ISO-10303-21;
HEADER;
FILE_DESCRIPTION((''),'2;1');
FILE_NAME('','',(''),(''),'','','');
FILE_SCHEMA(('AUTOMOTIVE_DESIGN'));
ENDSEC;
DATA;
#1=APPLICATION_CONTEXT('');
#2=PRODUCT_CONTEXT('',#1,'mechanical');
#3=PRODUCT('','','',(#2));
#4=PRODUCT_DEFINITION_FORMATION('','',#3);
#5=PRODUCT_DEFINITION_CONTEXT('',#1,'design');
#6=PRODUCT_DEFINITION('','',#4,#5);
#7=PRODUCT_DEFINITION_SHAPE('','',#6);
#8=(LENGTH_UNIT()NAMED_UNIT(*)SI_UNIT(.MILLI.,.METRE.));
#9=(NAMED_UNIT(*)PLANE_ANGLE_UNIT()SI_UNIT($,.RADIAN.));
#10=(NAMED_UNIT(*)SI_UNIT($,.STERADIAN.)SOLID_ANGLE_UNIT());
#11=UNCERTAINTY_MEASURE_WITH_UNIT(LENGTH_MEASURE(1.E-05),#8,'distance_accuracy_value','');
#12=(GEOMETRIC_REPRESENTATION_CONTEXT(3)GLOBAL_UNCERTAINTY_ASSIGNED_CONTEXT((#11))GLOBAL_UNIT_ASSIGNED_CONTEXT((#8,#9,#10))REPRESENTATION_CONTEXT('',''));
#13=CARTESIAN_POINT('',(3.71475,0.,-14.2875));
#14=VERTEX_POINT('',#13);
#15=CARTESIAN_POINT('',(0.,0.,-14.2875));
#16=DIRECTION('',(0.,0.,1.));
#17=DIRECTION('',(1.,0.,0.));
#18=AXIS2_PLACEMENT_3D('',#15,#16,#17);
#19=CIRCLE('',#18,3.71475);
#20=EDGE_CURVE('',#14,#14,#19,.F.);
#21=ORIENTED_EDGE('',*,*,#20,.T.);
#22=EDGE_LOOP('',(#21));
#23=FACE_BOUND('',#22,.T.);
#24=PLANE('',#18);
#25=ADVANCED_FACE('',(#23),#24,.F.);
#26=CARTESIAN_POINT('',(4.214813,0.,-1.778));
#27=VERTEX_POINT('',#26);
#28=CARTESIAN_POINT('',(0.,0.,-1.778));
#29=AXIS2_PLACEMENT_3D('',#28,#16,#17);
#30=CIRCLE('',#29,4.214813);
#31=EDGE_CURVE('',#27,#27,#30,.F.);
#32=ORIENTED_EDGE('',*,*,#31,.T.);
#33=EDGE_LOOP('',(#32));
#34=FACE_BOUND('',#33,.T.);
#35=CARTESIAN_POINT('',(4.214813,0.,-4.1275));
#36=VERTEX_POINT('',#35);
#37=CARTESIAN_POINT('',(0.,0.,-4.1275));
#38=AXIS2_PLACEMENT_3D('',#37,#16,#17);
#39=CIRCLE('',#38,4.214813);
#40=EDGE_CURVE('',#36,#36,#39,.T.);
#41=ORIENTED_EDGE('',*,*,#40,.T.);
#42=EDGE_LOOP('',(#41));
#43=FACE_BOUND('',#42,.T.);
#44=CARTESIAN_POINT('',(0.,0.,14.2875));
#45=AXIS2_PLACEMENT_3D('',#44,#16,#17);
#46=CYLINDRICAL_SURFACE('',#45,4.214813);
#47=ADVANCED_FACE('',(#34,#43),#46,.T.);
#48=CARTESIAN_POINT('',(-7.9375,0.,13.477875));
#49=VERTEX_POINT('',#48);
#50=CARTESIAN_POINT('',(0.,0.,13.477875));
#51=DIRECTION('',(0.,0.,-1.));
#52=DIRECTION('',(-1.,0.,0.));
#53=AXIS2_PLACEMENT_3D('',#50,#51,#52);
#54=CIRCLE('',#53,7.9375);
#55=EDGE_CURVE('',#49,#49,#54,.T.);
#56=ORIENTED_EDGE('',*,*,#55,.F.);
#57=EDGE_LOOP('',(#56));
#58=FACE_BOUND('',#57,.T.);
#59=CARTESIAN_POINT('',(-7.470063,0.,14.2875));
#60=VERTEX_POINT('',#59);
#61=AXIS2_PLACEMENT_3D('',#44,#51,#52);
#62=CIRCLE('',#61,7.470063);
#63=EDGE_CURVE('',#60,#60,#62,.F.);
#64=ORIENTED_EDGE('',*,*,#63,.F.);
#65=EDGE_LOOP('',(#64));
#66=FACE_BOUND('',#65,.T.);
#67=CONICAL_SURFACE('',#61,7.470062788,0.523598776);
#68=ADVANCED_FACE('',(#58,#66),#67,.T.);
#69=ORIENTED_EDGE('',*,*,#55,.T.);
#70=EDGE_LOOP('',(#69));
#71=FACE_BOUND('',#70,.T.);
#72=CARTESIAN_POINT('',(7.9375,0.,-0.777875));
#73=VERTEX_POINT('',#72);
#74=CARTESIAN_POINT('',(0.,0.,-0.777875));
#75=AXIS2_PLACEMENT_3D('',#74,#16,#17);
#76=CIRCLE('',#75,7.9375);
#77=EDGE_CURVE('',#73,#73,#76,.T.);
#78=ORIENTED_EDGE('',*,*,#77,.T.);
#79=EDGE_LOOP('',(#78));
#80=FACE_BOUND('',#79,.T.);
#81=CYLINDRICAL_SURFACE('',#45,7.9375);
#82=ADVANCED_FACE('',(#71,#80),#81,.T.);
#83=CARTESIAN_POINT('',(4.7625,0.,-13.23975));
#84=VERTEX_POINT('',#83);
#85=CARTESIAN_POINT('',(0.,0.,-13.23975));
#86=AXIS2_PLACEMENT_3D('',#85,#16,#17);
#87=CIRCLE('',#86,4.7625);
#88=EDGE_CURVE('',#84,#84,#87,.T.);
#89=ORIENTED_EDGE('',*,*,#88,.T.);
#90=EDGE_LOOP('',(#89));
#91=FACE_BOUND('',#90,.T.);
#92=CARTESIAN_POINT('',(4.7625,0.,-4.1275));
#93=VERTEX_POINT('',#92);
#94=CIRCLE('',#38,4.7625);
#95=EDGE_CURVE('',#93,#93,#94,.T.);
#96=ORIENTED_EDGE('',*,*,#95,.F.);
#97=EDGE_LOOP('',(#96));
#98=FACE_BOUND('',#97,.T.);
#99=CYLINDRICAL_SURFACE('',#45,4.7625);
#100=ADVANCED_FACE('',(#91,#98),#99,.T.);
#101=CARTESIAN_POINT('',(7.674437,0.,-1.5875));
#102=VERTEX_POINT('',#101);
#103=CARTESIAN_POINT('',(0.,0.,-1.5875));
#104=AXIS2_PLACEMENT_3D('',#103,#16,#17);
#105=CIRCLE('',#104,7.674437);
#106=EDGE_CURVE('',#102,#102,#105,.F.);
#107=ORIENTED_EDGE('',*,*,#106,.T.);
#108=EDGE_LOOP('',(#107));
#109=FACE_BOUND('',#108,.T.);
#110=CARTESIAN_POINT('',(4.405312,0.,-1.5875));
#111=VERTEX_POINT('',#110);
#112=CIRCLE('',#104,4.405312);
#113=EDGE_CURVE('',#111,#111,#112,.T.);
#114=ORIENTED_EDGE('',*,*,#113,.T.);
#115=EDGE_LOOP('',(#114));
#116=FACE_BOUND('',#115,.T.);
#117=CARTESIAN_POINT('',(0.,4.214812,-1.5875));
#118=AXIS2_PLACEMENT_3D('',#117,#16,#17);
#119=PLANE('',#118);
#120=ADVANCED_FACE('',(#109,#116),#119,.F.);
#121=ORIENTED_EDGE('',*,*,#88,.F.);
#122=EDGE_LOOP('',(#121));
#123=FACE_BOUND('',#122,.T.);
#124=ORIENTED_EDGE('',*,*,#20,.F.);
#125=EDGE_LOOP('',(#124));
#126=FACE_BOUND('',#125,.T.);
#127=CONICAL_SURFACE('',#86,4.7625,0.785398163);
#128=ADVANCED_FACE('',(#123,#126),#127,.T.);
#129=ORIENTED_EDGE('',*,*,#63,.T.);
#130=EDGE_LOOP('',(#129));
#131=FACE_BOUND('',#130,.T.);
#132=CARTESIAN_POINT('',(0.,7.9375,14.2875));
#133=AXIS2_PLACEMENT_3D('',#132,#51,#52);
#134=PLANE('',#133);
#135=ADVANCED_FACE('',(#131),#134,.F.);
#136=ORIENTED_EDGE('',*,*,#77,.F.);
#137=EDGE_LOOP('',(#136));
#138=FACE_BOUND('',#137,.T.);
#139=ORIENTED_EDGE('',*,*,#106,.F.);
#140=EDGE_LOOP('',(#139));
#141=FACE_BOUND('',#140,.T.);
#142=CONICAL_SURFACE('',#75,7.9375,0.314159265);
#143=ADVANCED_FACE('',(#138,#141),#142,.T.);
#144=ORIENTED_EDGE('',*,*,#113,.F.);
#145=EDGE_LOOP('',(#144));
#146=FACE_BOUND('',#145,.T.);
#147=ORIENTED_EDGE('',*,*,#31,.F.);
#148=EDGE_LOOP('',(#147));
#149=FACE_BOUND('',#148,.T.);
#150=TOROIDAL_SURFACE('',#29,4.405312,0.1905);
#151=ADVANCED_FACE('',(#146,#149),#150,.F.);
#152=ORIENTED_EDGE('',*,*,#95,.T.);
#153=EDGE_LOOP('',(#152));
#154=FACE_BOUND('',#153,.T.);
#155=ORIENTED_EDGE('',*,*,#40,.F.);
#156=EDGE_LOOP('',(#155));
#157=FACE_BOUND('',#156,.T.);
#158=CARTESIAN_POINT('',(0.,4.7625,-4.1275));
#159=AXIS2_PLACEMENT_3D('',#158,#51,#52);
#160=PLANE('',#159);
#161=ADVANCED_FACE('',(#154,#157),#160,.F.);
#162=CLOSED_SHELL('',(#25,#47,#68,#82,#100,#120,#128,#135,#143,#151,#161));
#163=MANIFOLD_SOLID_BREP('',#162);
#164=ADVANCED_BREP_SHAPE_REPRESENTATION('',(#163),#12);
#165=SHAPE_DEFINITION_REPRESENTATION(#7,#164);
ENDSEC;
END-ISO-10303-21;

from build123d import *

# Parameters (mm, degrees)
CHAMFER1_SIZE  = 0.809625
CHAMFER1_SIZE2 = 0.467437212
CHAMFER2_SIZE  = 1.04775
FILLET1_R      = 0.1905
CHAMFER4_SIZE  = 0.809625
CHAMFER4_SIZE2 = 0.263063109


with BuildPart() as part:
    # Sketch2 → Revolve2 (revolve)
    with BuildSketch(Plane(origin=(0, 0, 0), x_dir=(0, 0, -1), z_dir=(1, 0, 0)), mode=Mode.PRIVATE) as revolve2_sk:
        Polygon((4.1275, 4.7625), (4.1275, 4.2148125), (3.5798125, 4.2148125), (1.5875, 4.2148125), (1.5875, 7.9375), (-14.2875, 7.9375), (-14.2875, 0), (14.2875, 0), (14.2875, 4.7625), align=None)
    revolve(revolve2_sk.sketch.rotate(Axis((0, 0, 14.2875), (0, 0, -1)), 90), axis=Axis((0, 0, 14.2875), (0, 0, -1)))

    # Chamfer1
    chamfer1_edges = [part.edges().sort_by_distance(p)[0] for p in [
        (-7.9375, 0, 14.2875),
    ]]
    chamfer1_side = [part.faces().sort_by_distance(p)[0] for p in [
        (-7.9375, 0, 6.35),
    ]]
    chamfer(chamfer1_edges, length=CHAMFER1_SIZE, length2=CHAMFER1_SIZE2, reference=chamfer1_side[0])

    # Chamfer2
    chamfer2_edges = [part.edges().sort_by_distance(p)[0] for p in [
        (-4.7625, 0, -14.2875),
    ]]
    chamfer(chamfer2_edges, length=CHAMFER2_SIZE)

    # Fillet1
    fillet1_edges = [part.edges().sort_by_distance(p)[0] for p in [
        (-4.2148125, 0, -1.5875),
    ]]
    fillet(fillet1_edges, radius=FILLET1_R)

    # Chamfer4
    chamfer4_edges = [part.edges().sort_by_distance(p)[0] for p in [
        (-7.9375, 0, -1.5875),
    ]]
    chamfer4_side = [part.faces().sort_by_distance(p)[0] for p in [
        (-7.9375, 0, 5.9451875),
    ]]
    chamfer(chamfer4_edges, length=CHAMFER4_SIZE, length2=CHAMFER4_SIZE2, reference=chamfer4_side[0])


solid = part.part
